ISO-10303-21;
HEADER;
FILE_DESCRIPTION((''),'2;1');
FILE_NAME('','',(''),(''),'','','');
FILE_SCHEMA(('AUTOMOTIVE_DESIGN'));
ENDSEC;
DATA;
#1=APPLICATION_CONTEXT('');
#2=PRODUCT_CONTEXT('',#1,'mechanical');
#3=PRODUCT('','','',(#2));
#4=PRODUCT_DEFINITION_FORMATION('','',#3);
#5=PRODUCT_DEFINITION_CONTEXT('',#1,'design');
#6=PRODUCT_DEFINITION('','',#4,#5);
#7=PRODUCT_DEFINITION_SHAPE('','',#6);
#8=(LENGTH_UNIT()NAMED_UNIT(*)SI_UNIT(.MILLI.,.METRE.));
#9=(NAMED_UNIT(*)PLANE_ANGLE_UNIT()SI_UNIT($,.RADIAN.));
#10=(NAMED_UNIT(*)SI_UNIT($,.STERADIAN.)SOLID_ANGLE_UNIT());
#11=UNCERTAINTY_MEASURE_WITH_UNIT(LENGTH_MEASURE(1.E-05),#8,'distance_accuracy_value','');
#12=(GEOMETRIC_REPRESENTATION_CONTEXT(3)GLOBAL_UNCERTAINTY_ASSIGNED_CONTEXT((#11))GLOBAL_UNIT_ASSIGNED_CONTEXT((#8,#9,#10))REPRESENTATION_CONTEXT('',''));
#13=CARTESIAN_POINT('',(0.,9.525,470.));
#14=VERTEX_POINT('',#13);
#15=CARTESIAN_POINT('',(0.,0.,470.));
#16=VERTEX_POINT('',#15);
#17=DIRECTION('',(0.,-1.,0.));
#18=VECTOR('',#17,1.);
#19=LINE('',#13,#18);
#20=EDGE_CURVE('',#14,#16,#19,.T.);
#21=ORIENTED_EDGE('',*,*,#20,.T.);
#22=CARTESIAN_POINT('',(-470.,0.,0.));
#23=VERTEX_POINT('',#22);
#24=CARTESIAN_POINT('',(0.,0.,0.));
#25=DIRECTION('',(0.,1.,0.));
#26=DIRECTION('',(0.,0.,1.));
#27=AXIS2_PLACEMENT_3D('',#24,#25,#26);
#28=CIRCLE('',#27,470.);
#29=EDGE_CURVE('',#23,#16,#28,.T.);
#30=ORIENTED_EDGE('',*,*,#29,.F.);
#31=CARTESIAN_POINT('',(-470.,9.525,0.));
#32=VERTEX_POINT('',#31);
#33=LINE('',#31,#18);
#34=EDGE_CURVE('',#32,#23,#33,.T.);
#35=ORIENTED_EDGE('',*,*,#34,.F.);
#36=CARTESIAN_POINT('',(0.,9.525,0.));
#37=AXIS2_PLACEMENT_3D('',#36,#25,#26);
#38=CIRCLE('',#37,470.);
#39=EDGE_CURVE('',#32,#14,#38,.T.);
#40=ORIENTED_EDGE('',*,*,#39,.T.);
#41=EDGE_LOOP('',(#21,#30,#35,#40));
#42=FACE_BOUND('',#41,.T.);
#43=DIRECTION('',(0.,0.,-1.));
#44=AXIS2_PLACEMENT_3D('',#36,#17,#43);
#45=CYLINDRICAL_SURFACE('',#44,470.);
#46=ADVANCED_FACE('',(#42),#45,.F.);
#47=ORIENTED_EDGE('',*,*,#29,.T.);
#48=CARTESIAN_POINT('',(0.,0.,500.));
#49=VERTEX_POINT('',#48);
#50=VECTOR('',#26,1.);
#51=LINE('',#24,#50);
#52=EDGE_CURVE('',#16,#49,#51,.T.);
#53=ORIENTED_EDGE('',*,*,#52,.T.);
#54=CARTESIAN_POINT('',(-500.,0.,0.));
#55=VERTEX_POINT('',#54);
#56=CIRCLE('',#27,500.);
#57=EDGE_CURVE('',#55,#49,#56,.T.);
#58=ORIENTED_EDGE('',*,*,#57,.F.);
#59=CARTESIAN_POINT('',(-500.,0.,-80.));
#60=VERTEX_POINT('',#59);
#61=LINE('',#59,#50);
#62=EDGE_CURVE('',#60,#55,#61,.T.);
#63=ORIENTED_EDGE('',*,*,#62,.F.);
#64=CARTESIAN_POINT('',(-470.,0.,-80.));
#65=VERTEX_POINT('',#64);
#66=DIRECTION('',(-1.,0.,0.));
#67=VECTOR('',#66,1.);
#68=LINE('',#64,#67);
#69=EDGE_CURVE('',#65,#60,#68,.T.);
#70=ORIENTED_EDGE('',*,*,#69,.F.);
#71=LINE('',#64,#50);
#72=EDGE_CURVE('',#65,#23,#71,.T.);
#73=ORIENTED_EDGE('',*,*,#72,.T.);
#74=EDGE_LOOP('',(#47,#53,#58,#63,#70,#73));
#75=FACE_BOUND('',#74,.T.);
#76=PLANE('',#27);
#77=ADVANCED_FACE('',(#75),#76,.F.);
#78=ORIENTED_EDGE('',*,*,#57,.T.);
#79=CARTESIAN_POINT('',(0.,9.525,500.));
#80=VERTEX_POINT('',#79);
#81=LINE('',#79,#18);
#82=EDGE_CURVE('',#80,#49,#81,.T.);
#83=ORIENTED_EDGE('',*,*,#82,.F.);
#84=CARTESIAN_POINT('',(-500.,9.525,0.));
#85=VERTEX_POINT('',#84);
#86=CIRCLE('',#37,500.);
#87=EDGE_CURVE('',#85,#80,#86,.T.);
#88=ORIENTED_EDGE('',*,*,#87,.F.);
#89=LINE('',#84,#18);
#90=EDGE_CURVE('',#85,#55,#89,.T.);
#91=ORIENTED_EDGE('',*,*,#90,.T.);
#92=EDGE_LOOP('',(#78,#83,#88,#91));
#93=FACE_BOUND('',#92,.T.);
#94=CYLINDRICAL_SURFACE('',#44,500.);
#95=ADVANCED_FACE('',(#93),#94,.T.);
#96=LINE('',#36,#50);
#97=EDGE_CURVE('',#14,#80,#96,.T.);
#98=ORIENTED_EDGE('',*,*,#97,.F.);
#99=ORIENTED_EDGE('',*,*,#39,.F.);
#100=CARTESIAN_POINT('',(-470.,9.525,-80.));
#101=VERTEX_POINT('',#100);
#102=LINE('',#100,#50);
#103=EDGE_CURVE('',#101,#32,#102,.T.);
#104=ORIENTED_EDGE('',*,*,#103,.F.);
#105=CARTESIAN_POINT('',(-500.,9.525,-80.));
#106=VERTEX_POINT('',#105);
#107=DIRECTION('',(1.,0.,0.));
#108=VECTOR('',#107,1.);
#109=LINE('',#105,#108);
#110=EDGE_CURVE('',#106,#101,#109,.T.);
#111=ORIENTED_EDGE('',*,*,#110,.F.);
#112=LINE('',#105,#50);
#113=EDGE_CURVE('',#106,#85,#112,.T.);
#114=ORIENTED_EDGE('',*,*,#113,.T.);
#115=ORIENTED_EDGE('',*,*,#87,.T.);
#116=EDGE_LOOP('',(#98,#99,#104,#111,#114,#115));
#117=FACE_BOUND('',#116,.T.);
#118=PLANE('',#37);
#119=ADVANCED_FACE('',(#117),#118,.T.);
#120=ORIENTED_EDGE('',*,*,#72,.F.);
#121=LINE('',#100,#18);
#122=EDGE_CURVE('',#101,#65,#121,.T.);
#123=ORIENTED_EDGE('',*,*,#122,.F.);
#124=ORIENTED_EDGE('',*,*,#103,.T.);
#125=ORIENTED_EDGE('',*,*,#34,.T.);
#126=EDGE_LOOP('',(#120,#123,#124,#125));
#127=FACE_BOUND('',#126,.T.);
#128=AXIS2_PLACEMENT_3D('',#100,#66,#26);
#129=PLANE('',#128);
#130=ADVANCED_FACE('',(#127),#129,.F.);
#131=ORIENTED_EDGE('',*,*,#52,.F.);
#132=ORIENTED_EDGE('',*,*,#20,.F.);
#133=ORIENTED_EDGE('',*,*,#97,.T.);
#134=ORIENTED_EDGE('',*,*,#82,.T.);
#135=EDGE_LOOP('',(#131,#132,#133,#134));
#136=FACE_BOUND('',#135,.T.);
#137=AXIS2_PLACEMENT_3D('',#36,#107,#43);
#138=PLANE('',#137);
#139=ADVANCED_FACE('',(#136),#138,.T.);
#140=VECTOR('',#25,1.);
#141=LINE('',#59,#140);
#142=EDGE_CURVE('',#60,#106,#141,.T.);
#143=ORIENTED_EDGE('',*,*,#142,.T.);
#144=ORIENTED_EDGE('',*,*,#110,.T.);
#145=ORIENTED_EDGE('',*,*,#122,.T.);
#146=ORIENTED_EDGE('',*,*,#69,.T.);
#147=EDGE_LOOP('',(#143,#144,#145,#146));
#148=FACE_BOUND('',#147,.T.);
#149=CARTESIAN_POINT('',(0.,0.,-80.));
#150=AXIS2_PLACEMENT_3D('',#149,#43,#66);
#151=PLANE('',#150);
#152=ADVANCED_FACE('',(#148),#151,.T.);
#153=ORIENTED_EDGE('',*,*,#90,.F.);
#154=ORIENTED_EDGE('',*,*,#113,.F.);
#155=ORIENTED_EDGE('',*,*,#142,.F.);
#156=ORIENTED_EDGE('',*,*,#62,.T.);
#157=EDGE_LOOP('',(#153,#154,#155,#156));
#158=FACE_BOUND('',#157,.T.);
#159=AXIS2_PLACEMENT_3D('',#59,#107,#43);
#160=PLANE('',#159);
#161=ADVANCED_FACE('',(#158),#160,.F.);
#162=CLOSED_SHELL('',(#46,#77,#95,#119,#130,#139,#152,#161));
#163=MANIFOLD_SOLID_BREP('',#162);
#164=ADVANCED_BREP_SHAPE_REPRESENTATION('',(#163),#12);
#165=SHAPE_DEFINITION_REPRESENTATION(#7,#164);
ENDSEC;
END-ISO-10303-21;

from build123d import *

# Parameters (mm, degrees)
BOSS_EXTRUDE1_DEPTH = 9.525
SKETCH3_W           = 30
SKETCH3_H           = 9.525
BOSS_EXTRUDE2_DEPTH = 80


with BuildPart() as part:
    # Sketch2 → Boss-Extrude1 (new body)
    with BuildSketch(Plane(origin=(0, 0, 0), x_dir=(1, 0, 0), z_dir=(0, 1, 0))):
        with BuildLine():
            ThreePointArc((0, -470), (-332.340187158, -332.340187158), (-470, 0))
            Line((-470, 0), (-500, 0))
            ThreePointArc((-500, 0), (-353.553390593, -353.553390593), (0, -500))
            Line((0, -500), (0, -470))
        make_face()
    extrude(amount=BOSS_EXTRUDE1_DEPTH)

    # Sketch3 → Boss-Extrude2 (add)
    with BuildSketch(Plane(origin=(0, 0, 0), x_dir=(-1, 0, 0), z_dir=(0, 0, -1))):
        with Locations((485, 4.7625)):
            Rectangle(SKETCH3_W, SKETCH3_H)
    extrude(amount=BOSS_EXTRUDE2_DEPTH)


solid = part.part
